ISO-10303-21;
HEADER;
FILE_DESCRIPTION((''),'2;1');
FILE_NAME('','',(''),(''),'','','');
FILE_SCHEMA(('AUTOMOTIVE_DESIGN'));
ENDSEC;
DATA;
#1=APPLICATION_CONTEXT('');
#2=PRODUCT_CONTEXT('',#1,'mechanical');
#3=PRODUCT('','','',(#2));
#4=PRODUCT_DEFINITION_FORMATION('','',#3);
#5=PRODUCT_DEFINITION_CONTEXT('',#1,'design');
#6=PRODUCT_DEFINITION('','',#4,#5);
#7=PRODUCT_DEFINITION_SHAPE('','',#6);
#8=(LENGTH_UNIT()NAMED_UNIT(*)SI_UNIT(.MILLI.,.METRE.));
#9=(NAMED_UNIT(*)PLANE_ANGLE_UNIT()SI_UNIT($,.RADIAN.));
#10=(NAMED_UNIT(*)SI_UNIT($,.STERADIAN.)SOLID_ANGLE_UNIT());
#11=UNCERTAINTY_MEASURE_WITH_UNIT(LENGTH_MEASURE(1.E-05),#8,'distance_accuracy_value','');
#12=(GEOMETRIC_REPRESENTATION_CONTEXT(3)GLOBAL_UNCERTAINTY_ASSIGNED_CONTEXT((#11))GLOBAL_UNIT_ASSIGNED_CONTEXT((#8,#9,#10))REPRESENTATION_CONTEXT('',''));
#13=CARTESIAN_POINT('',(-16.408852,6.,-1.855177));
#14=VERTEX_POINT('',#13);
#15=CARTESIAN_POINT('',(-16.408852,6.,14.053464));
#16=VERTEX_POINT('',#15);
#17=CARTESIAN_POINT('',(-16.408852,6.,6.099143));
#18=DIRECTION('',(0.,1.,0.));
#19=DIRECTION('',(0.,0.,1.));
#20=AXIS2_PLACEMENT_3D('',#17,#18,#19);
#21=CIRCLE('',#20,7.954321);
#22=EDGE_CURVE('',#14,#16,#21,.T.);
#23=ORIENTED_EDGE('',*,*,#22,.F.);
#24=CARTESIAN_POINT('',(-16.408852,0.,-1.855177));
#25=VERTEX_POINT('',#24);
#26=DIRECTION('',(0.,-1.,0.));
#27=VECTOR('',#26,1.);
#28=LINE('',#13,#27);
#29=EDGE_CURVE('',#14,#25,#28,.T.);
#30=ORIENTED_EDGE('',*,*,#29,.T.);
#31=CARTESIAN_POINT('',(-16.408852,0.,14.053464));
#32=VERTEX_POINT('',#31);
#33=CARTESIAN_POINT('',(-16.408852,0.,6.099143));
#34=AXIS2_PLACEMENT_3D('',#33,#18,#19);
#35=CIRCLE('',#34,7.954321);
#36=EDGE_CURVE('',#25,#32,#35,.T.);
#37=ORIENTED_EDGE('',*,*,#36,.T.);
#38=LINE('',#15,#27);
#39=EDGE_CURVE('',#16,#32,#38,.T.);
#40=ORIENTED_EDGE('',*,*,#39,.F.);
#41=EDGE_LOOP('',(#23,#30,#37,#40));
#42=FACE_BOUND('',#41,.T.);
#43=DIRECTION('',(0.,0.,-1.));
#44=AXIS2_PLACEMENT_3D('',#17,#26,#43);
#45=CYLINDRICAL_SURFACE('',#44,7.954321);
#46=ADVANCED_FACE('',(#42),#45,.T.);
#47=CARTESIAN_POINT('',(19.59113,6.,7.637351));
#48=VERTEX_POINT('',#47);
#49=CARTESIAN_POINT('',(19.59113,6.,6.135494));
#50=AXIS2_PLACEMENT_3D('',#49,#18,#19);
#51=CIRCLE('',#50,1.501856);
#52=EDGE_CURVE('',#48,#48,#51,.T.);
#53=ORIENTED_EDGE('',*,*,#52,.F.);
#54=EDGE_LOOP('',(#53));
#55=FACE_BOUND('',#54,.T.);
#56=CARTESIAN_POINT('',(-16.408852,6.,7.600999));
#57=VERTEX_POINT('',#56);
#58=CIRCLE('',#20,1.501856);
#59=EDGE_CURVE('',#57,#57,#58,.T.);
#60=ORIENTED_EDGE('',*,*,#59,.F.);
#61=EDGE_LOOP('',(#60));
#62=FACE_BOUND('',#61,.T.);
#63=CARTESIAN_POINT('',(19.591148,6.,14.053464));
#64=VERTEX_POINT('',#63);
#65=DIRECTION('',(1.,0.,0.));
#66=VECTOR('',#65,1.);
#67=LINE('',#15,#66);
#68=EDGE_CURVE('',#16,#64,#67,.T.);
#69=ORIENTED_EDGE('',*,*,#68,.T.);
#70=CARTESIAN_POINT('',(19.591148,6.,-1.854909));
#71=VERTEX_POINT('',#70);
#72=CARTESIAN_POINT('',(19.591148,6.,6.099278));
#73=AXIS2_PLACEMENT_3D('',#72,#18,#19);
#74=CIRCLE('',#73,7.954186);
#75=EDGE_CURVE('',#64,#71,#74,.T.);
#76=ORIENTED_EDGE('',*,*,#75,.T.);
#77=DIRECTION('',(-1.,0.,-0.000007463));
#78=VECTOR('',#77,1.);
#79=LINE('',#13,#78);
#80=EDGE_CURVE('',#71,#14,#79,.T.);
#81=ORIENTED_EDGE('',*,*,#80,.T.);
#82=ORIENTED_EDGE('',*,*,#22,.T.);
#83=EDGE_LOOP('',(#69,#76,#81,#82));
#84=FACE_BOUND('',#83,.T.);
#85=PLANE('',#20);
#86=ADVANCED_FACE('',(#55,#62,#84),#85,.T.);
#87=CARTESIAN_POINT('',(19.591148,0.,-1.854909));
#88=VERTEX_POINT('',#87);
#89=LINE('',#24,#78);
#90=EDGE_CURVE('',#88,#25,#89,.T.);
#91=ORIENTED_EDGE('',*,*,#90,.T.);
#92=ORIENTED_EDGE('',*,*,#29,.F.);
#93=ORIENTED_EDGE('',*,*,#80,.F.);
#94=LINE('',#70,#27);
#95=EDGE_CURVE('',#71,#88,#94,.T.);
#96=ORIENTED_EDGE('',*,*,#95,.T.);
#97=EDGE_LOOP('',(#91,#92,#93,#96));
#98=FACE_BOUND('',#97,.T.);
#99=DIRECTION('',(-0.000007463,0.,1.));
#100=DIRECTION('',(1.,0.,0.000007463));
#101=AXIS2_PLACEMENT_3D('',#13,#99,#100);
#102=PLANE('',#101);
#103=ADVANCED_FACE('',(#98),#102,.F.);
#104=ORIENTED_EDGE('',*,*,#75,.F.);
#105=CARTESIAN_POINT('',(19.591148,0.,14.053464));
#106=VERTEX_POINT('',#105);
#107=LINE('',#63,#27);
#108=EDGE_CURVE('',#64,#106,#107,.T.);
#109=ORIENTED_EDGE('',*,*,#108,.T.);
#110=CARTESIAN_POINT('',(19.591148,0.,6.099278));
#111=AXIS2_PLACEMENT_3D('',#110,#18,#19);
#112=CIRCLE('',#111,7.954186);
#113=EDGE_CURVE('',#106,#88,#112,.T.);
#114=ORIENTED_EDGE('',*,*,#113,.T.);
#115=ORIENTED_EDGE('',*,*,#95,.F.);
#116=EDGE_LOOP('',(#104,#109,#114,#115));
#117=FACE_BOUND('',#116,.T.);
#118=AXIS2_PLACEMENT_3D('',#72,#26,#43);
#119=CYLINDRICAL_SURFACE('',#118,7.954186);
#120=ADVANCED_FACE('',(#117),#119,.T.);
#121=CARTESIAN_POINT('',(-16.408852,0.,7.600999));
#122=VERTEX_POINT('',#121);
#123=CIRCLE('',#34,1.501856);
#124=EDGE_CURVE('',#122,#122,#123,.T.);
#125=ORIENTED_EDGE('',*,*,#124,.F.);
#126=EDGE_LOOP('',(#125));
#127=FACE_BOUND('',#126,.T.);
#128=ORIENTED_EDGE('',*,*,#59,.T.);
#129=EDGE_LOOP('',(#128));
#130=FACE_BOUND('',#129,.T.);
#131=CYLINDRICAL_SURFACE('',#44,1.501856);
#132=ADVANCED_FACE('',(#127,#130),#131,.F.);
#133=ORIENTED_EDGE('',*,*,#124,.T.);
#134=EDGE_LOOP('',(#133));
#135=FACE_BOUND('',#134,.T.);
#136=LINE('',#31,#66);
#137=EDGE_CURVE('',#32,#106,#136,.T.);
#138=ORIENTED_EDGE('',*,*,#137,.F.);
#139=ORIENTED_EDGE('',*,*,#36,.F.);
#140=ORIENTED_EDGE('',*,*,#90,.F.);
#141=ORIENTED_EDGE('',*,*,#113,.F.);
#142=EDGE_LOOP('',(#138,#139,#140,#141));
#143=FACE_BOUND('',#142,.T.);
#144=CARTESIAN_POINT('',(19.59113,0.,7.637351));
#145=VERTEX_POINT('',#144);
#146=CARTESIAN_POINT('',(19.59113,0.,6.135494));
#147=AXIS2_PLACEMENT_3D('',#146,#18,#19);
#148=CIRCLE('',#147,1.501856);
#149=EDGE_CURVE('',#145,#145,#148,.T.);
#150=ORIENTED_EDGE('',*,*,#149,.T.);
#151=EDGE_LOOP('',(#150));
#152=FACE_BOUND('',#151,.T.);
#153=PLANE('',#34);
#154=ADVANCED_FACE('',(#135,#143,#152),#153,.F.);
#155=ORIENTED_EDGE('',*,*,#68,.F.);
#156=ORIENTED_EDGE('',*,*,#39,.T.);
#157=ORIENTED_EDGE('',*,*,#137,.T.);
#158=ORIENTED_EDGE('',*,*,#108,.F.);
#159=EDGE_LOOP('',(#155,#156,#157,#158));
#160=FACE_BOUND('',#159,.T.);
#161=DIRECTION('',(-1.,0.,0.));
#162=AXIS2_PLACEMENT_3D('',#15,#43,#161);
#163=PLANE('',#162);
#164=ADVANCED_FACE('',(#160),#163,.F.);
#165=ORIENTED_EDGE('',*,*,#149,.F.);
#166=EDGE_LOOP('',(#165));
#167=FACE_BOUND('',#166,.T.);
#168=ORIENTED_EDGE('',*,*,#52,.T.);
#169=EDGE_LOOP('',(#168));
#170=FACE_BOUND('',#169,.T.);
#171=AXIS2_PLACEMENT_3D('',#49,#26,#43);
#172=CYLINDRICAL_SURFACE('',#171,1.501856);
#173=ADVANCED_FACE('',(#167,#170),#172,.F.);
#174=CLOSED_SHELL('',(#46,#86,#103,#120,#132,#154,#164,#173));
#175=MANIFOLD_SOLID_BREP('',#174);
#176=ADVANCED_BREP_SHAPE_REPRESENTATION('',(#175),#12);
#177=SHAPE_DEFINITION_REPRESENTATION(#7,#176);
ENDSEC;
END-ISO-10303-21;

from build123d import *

# Parameters (mm, degrees)
SKETCH_1_R      = 1.501856065
EXTRUDE_1_DEPTH = 6


with BuildPart() as part:
    # Эскиз1 → Бобышка-Вытянуть1 (new body)
    with BuildSketch(Plane(origin=(0, 0, 0), x_dir=(1, 0, 0), z_dir=(0, 1, 0))):
        with BuildLine():
            Line((-16.408851954, 1.855177164), (19.591148045, 1.854908508))
            ThreePointArc((19.591148045, 1.854908508), (27.54533426, -6.099277706), (19.591148045, -14.053463921))
            Line((19.591148045, -14.053463921), (-16.408851954, -14.053463921))
            ThreePointArc((-16.408851954, -14.053463921), (-24.363172497, -6.099143379), (-16.408851954, 1.855177164))
        make_face()
        with Locations((19.591129693, -6.135494448)):
            Circle(SKETCH_1_R, mode=Mode.SUBTRACT)
        with Locations((-16.408851954, -6.099143379)):
            Circle(SKETCH_1_R, mode=Mode.SUBTRACT)
    extrude(amount=EXTRUDE_1_DEPTH)


solid = part.part
